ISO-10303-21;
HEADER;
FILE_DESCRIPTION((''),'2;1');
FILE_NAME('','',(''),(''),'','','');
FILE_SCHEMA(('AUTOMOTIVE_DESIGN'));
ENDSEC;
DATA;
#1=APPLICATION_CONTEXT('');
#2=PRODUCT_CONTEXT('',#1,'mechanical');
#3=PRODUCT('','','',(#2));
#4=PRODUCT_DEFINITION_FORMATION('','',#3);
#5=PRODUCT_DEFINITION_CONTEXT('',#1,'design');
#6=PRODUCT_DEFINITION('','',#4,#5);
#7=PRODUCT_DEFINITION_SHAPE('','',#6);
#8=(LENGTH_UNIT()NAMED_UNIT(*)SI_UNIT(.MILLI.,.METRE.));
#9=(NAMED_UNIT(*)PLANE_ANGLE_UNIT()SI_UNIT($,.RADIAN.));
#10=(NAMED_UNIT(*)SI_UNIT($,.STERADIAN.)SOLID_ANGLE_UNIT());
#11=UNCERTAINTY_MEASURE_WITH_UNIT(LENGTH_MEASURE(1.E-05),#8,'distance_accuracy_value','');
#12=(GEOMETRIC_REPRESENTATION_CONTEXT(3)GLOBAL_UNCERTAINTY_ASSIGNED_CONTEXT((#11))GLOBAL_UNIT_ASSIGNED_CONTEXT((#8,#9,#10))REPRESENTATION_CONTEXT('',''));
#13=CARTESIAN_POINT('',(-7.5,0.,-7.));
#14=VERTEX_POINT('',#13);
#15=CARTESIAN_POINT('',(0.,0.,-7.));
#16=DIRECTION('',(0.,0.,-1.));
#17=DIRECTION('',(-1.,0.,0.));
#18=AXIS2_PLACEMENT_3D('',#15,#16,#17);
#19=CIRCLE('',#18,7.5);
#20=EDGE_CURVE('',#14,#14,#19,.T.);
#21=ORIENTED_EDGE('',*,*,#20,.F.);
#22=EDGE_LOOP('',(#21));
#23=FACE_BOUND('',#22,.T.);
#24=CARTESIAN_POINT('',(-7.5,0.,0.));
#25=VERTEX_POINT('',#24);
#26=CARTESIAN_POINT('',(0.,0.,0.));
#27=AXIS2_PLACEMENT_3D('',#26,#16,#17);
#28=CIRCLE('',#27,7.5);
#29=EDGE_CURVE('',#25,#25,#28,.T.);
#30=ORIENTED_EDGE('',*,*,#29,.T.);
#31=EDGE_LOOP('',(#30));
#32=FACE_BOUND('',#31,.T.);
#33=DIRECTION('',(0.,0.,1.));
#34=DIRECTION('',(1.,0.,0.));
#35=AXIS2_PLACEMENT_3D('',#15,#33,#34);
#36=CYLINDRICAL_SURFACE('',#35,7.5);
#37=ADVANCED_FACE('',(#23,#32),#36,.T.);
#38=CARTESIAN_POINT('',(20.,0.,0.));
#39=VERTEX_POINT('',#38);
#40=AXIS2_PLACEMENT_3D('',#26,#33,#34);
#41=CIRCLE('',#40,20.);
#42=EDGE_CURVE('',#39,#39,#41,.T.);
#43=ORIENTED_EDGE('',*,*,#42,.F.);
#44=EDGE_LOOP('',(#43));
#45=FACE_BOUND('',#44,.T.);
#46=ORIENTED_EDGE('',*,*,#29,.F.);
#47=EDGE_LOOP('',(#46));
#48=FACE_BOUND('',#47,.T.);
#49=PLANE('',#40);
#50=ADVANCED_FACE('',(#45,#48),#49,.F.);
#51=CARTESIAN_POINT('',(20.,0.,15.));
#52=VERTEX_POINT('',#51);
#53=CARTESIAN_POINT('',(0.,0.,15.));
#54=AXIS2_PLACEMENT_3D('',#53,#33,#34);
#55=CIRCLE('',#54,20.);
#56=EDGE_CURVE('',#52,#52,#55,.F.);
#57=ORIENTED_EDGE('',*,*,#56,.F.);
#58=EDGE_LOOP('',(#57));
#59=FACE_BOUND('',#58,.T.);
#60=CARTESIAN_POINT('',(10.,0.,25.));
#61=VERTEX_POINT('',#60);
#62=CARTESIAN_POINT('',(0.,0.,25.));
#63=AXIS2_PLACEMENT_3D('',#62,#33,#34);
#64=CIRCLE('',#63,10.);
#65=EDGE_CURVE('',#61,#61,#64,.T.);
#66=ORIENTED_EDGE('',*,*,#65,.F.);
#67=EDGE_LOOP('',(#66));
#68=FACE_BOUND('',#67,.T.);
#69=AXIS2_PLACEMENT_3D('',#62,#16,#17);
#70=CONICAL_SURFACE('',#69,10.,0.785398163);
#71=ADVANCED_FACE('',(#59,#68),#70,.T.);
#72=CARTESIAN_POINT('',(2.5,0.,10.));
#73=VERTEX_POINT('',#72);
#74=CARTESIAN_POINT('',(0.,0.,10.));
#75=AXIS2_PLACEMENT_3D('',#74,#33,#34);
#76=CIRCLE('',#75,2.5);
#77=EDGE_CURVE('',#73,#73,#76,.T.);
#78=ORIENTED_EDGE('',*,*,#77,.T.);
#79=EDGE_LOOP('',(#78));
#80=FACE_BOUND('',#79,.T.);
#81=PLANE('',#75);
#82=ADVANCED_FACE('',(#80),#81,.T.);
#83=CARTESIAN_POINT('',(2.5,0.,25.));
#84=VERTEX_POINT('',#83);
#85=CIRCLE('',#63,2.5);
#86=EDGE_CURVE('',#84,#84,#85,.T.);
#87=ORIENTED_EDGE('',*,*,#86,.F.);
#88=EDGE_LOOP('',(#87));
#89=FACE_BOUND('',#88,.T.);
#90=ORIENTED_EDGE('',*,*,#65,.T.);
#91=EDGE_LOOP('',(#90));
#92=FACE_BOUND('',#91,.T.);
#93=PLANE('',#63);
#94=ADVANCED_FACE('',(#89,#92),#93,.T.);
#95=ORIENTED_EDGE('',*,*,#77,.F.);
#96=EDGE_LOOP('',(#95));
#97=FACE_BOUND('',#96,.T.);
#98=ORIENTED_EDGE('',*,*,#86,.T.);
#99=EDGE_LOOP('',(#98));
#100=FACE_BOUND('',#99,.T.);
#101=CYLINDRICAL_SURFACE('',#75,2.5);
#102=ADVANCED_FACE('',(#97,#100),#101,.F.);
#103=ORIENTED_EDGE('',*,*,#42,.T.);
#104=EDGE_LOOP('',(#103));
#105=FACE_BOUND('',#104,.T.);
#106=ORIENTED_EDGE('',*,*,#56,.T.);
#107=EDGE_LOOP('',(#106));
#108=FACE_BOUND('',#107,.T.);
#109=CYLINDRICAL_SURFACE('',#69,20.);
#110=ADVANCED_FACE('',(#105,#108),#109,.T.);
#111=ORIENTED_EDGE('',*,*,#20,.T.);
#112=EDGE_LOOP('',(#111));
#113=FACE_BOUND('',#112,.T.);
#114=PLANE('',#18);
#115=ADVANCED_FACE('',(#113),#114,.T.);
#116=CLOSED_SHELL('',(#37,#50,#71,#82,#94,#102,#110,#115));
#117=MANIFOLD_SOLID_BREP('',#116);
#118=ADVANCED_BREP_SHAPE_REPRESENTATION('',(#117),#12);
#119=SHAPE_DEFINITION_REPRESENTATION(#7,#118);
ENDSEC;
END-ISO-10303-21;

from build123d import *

# Parameters (mm, degrees)
SKETCH1_R           = 20
BOSS_EXTRUDE1_DEPTH = 25
CHAMFER1_SIZE       = 10
SKETCH2_R           = 2.5
CUT_EXTRUDE1_DEPTH  = 15
SKETCH3_R           = 7.5
BOSS_EXTRUDE2_DEPTH = 7


with BuildPart() as part:
    # Sketch1 → Boss-Extrude1 (new body)
    with BuildSketch(Plane.XY):
        Circle(SKETCH1_R)
    extrude(amount=BOSS_EXTRUDE1_DEPTH)

    # Chamfer1
    chamfer1_edges = [part.edges().sort_by_distance(p)[0] for p in [
        (-20, 0, 25),
    ]]
    chamfer(chamfer1_edges, length=CHAMFER1_SIZE)

    # Sketch2 → Cut-Extrude1 (cut)
    with BuildSketch(Plane.XY.offset(25)):
        Circle(SKETCH2_R)
    extrude(amount=-CUT_EXTRUDE1_DEPTH, mode=Mode.SUBTRACT)

    # Sketch3 → Boss-Extrude2 (add)
    with BuildSketch(Plane(origin=(0, 0, 0), x_dir=(-1, 0, 0), z_dir=(0, 0, -1))):
        Circle(SKETCH3_R)
    extrude(amount=BOSS_EXTRUDE2_DEPTH)


solid = part.part
